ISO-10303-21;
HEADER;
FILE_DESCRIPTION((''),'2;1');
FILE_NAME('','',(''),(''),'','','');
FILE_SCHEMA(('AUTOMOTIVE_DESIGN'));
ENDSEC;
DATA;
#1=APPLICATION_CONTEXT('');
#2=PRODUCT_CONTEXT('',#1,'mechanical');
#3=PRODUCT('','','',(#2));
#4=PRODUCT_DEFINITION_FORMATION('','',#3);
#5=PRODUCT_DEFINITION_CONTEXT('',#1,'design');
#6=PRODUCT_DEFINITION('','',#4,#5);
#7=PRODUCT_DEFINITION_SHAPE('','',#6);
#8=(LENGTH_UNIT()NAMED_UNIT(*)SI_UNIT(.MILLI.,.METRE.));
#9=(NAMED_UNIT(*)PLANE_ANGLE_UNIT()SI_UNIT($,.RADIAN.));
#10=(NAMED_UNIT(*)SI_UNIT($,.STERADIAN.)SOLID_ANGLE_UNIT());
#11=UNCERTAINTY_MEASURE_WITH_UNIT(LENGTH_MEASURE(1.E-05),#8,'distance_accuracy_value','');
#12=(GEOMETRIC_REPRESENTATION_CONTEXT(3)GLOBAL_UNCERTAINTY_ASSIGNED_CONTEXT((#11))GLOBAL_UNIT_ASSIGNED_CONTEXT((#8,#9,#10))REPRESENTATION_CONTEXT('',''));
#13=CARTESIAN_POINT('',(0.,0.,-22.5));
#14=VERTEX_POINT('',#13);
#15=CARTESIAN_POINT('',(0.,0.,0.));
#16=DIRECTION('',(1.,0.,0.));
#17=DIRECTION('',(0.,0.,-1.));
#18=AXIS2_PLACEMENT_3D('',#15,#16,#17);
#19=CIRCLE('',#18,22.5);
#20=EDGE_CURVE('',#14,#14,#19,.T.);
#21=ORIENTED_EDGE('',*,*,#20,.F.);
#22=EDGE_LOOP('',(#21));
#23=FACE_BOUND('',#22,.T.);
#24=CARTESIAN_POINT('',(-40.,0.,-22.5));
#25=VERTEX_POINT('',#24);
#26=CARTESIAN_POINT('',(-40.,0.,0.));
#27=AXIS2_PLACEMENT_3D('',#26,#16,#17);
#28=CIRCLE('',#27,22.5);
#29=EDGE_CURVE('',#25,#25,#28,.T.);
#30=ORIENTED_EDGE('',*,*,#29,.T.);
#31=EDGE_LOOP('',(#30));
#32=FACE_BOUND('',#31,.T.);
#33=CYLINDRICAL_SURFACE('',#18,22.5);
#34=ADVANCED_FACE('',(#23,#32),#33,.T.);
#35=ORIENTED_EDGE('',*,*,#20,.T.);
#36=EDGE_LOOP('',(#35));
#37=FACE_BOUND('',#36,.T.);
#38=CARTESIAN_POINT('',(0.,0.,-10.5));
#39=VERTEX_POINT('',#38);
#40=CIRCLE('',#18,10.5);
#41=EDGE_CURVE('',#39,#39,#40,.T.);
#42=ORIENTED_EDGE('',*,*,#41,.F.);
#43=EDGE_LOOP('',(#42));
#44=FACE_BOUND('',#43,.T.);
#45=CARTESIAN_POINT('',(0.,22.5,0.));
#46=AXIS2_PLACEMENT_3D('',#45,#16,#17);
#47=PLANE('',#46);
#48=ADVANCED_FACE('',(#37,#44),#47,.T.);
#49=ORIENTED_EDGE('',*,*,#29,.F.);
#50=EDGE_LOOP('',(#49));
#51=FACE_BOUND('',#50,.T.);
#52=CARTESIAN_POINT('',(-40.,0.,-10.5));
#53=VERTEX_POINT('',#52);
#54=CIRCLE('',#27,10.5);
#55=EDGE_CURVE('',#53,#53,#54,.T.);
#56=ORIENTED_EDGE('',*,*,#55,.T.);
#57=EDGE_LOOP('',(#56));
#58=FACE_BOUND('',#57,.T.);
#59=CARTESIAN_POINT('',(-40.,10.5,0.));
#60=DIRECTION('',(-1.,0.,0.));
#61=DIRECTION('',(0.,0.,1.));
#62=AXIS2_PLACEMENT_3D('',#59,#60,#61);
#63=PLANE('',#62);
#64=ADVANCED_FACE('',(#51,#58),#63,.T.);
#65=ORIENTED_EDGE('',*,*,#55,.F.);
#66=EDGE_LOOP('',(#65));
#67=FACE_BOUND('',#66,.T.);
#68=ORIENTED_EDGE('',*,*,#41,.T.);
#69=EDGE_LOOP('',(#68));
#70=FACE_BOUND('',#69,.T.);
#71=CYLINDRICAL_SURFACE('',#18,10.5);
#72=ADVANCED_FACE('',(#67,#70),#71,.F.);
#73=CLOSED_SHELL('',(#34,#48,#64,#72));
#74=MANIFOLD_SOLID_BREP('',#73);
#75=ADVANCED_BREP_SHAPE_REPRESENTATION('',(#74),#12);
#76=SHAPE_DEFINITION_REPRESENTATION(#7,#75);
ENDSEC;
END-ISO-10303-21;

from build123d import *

# Parameters (mm, degrees)
SKETCH1_W = 40
SKETCH1_H = 12


with BuildPart() as part:
    # Sketch1 → Revolve1 (revolve)
    with BuildSketch(Plane.XY, mode=Mode.PRIVATE) as revolve1_sk:
        with Locations((-20, 16.5)):
            Rectangle(SKETCH1_W, SKETCH1_H)
    revolve(revolve1_sk.sketch.rotate(Axis((0, 0, 0), (-1, 0, 0)), 90), axis=Axis((0, 0, 0), (-1, 0, 0)))


solid = part.part
